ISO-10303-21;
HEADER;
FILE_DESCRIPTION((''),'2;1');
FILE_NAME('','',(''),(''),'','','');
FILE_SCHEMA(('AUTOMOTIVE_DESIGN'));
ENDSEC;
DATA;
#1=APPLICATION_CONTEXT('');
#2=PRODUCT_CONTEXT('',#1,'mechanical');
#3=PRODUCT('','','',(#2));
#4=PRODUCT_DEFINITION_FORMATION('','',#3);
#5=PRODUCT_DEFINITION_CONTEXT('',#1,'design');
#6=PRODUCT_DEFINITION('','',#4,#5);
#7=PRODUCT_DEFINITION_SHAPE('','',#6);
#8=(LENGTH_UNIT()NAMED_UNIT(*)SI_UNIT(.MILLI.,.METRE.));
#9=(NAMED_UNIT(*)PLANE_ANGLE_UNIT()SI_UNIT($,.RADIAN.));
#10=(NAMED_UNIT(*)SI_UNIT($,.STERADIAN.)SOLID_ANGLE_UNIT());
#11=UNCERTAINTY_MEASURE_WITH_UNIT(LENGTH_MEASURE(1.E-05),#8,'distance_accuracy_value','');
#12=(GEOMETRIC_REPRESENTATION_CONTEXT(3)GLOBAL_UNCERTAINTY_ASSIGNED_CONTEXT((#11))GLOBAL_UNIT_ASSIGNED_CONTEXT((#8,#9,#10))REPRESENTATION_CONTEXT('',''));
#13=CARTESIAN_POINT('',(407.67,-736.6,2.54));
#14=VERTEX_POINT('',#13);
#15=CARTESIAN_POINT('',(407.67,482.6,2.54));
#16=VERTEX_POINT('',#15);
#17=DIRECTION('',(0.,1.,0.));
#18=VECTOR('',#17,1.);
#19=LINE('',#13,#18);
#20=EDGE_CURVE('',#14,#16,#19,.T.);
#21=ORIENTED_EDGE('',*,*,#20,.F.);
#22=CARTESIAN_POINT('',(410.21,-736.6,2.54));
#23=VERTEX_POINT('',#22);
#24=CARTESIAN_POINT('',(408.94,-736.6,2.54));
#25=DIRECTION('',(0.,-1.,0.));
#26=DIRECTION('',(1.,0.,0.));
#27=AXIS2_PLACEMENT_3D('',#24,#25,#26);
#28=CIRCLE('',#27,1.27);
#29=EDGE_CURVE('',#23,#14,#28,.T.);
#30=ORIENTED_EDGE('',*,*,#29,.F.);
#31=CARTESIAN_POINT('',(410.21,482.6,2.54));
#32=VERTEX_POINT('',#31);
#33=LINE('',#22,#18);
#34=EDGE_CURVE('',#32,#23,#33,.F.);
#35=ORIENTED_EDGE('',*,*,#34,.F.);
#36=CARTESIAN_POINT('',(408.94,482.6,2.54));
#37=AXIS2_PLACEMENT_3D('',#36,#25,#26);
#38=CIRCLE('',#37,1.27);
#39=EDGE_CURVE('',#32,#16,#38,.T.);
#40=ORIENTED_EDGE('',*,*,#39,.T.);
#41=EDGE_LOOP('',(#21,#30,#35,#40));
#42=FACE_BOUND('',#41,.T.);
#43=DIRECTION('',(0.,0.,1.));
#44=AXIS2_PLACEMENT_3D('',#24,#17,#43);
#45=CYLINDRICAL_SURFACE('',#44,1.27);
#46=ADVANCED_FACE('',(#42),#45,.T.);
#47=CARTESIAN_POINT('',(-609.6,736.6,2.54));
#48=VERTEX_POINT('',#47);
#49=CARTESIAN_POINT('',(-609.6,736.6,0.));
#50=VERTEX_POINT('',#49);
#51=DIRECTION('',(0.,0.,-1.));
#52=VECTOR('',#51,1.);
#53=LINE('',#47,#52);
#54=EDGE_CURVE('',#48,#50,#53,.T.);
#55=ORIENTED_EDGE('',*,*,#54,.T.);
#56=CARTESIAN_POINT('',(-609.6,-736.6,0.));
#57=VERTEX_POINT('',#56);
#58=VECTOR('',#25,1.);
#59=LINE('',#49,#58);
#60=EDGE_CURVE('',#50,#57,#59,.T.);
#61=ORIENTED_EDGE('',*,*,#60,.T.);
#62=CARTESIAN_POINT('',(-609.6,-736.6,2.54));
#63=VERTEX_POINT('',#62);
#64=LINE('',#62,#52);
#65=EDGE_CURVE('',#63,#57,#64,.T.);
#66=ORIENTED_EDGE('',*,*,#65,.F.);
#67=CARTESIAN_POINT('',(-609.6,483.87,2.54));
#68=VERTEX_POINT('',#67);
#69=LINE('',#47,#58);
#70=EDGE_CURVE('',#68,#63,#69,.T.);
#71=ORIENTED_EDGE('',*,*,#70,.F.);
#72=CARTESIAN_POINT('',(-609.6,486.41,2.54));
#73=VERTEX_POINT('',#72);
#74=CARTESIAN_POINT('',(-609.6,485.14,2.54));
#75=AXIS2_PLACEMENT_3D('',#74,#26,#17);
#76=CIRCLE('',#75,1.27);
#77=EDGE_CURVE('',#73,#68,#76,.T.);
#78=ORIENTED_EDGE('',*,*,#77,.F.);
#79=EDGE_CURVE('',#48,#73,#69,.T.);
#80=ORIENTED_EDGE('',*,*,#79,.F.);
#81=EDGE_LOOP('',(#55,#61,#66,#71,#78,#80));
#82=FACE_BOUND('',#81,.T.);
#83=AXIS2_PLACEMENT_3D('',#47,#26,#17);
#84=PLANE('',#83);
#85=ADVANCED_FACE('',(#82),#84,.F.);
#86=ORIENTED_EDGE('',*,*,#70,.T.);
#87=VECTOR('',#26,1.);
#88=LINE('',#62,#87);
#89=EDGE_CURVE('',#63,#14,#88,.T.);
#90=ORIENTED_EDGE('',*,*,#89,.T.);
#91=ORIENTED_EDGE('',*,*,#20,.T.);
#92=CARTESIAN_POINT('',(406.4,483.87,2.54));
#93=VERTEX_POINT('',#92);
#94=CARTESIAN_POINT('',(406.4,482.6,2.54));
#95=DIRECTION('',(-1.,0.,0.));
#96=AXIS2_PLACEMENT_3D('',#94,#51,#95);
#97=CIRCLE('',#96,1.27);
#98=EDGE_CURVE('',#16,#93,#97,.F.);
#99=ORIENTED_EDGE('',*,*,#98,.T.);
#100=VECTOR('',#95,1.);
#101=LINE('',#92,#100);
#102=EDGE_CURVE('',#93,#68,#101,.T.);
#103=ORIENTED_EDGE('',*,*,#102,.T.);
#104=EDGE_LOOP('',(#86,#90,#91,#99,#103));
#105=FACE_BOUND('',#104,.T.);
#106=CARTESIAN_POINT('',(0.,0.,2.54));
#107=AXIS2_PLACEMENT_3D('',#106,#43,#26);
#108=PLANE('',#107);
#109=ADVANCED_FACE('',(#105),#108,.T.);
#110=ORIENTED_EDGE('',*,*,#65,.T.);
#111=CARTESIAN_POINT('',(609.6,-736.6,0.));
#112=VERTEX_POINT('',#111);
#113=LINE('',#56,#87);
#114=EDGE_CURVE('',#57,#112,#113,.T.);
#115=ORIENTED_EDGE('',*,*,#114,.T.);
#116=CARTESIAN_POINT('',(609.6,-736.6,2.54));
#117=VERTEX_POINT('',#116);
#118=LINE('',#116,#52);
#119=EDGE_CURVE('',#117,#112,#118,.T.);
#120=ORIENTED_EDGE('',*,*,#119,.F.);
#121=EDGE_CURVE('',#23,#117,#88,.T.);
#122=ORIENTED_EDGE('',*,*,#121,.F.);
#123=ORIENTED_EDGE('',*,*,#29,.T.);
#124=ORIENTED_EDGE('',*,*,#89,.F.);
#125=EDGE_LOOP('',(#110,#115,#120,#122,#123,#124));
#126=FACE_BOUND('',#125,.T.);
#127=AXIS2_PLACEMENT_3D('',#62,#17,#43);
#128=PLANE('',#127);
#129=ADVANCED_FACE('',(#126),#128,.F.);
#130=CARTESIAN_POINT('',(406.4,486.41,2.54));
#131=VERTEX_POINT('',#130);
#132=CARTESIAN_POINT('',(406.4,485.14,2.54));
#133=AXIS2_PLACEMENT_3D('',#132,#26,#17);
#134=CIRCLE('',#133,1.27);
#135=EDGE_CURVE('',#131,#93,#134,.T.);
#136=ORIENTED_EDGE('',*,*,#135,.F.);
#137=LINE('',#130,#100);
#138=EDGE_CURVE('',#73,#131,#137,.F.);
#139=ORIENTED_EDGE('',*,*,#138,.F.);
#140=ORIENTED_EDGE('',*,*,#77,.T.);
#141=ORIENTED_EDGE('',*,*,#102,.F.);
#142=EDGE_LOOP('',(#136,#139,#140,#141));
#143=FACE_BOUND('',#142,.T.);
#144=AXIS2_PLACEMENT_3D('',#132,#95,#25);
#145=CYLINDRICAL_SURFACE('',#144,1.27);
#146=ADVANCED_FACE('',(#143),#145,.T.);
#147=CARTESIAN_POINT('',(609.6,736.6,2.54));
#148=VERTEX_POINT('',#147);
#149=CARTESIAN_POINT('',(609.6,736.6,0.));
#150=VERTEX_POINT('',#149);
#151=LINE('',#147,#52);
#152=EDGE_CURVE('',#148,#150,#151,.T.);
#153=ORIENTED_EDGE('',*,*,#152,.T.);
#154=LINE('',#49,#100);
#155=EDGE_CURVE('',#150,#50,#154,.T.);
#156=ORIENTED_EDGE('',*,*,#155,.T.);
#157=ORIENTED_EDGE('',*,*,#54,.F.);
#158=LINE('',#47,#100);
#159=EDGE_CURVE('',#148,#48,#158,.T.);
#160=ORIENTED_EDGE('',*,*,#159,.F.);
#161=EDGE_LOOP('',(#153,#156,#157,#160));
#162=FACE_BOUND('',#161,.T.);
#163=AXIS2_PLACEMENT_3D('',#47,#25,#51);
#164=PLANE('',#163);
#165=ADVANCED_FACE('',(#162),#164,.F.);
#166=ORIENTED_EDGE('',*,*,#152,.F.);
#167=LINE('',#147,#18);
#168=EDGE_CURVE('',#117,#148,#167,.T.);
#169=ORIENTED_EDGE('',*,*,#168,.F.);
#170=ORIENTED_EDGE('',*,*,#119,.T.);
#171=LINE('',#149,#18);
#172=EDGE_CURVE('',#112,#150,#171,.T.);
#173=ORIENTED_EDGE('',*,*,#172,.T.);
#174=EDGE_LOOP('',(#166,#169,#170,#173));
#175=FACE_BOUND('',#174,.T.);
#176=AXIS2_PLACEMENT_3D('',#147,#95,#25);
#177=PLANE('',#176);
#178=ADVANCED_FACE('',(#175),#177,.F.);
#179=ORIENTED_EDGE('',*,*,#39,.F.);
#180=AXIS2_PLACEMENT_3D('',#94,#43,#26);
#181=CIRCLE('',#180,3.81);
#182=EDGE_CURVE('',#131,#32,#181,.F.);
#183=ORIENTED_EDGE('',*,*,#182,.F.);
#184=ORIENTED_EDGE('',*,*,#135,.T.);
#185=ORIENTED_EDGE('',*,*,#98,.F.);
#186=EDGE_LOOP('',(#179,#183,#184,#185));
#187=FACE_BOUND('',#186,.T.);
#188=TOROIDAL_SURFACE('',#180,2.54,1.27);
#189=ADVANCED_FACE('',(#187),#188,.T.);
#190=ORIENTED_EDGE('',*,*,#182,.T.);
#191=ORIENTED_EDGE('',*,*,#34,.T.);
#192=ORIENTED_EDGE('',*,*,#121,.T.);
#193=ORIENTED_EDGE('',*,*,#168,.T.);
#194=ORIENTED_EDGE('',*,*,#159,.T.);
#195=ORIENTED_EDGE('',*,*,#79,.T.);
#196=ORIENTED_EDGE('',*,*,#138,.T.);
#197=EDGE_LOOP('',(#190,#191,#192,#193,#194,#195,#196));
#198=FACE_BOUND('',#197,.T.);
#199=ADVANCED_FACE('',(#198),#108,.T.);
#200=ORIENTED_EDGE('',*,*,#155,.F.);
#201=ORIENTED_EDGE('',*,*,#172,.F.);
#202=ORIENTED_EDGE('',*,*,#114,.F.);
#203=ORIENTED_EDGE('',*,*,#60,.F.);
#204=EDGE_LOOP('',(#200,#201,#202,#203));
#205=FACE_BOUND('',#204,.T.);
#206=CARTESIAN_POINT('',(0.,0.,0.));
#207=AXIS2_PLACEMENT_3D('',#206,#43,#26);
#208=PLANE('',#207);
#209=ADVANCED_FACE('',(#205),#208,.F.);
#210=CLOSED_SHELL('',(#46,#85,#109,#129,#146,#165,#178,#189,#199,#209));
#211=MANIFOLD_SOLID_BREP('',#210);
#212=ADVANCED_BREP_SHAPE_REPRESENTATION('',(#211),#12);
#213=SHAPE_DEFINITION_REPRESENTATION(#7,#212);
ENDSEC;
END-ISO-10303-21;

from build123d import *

# Parameters (mm, degrees)
SKETCH1_W           = 1219.2
SKETCH1_H           = 1473.2
BOSS_EXTRUDE1_DEPTH = 2.54
SWEEP1_PROFILE_R    = 1.27


with BuildPart() as part:
    # Sketch1 → Boss-Extrude1 (new body)
    with BuildSketch(Plane.XY):
        Rectangle(SKETCH1_W, SKETCH1_H)
    extrude(amount=BOSS_EXTRUDE1_DEPTH)

    # Sweep1: sweep along a path in Sketch2
    with BuildLine(Plane.XY.offset(2.54)) as sweep1_path:
        Line((408.94, -736.6), (408.94, 482.6))
        ThreePointArc((408.94, 482.6), (408.196051224, 484.396051224), (406.4, 485.14))
        Line((406.4, 485.14), (-609.6, 485.14))
    # Sweep1 profile (on start of the path) → Sweep1 (sweep)
    with BuildSketch(Plane(origin=(408.94, -736.6, 2.54), x_dir=(0, 0, 1), z_dir=(0, 1, 0))):
        Circle(SWEEP1_PROFILE_R)
    sweep(path=sweep1_path.line)


solid = part.part
